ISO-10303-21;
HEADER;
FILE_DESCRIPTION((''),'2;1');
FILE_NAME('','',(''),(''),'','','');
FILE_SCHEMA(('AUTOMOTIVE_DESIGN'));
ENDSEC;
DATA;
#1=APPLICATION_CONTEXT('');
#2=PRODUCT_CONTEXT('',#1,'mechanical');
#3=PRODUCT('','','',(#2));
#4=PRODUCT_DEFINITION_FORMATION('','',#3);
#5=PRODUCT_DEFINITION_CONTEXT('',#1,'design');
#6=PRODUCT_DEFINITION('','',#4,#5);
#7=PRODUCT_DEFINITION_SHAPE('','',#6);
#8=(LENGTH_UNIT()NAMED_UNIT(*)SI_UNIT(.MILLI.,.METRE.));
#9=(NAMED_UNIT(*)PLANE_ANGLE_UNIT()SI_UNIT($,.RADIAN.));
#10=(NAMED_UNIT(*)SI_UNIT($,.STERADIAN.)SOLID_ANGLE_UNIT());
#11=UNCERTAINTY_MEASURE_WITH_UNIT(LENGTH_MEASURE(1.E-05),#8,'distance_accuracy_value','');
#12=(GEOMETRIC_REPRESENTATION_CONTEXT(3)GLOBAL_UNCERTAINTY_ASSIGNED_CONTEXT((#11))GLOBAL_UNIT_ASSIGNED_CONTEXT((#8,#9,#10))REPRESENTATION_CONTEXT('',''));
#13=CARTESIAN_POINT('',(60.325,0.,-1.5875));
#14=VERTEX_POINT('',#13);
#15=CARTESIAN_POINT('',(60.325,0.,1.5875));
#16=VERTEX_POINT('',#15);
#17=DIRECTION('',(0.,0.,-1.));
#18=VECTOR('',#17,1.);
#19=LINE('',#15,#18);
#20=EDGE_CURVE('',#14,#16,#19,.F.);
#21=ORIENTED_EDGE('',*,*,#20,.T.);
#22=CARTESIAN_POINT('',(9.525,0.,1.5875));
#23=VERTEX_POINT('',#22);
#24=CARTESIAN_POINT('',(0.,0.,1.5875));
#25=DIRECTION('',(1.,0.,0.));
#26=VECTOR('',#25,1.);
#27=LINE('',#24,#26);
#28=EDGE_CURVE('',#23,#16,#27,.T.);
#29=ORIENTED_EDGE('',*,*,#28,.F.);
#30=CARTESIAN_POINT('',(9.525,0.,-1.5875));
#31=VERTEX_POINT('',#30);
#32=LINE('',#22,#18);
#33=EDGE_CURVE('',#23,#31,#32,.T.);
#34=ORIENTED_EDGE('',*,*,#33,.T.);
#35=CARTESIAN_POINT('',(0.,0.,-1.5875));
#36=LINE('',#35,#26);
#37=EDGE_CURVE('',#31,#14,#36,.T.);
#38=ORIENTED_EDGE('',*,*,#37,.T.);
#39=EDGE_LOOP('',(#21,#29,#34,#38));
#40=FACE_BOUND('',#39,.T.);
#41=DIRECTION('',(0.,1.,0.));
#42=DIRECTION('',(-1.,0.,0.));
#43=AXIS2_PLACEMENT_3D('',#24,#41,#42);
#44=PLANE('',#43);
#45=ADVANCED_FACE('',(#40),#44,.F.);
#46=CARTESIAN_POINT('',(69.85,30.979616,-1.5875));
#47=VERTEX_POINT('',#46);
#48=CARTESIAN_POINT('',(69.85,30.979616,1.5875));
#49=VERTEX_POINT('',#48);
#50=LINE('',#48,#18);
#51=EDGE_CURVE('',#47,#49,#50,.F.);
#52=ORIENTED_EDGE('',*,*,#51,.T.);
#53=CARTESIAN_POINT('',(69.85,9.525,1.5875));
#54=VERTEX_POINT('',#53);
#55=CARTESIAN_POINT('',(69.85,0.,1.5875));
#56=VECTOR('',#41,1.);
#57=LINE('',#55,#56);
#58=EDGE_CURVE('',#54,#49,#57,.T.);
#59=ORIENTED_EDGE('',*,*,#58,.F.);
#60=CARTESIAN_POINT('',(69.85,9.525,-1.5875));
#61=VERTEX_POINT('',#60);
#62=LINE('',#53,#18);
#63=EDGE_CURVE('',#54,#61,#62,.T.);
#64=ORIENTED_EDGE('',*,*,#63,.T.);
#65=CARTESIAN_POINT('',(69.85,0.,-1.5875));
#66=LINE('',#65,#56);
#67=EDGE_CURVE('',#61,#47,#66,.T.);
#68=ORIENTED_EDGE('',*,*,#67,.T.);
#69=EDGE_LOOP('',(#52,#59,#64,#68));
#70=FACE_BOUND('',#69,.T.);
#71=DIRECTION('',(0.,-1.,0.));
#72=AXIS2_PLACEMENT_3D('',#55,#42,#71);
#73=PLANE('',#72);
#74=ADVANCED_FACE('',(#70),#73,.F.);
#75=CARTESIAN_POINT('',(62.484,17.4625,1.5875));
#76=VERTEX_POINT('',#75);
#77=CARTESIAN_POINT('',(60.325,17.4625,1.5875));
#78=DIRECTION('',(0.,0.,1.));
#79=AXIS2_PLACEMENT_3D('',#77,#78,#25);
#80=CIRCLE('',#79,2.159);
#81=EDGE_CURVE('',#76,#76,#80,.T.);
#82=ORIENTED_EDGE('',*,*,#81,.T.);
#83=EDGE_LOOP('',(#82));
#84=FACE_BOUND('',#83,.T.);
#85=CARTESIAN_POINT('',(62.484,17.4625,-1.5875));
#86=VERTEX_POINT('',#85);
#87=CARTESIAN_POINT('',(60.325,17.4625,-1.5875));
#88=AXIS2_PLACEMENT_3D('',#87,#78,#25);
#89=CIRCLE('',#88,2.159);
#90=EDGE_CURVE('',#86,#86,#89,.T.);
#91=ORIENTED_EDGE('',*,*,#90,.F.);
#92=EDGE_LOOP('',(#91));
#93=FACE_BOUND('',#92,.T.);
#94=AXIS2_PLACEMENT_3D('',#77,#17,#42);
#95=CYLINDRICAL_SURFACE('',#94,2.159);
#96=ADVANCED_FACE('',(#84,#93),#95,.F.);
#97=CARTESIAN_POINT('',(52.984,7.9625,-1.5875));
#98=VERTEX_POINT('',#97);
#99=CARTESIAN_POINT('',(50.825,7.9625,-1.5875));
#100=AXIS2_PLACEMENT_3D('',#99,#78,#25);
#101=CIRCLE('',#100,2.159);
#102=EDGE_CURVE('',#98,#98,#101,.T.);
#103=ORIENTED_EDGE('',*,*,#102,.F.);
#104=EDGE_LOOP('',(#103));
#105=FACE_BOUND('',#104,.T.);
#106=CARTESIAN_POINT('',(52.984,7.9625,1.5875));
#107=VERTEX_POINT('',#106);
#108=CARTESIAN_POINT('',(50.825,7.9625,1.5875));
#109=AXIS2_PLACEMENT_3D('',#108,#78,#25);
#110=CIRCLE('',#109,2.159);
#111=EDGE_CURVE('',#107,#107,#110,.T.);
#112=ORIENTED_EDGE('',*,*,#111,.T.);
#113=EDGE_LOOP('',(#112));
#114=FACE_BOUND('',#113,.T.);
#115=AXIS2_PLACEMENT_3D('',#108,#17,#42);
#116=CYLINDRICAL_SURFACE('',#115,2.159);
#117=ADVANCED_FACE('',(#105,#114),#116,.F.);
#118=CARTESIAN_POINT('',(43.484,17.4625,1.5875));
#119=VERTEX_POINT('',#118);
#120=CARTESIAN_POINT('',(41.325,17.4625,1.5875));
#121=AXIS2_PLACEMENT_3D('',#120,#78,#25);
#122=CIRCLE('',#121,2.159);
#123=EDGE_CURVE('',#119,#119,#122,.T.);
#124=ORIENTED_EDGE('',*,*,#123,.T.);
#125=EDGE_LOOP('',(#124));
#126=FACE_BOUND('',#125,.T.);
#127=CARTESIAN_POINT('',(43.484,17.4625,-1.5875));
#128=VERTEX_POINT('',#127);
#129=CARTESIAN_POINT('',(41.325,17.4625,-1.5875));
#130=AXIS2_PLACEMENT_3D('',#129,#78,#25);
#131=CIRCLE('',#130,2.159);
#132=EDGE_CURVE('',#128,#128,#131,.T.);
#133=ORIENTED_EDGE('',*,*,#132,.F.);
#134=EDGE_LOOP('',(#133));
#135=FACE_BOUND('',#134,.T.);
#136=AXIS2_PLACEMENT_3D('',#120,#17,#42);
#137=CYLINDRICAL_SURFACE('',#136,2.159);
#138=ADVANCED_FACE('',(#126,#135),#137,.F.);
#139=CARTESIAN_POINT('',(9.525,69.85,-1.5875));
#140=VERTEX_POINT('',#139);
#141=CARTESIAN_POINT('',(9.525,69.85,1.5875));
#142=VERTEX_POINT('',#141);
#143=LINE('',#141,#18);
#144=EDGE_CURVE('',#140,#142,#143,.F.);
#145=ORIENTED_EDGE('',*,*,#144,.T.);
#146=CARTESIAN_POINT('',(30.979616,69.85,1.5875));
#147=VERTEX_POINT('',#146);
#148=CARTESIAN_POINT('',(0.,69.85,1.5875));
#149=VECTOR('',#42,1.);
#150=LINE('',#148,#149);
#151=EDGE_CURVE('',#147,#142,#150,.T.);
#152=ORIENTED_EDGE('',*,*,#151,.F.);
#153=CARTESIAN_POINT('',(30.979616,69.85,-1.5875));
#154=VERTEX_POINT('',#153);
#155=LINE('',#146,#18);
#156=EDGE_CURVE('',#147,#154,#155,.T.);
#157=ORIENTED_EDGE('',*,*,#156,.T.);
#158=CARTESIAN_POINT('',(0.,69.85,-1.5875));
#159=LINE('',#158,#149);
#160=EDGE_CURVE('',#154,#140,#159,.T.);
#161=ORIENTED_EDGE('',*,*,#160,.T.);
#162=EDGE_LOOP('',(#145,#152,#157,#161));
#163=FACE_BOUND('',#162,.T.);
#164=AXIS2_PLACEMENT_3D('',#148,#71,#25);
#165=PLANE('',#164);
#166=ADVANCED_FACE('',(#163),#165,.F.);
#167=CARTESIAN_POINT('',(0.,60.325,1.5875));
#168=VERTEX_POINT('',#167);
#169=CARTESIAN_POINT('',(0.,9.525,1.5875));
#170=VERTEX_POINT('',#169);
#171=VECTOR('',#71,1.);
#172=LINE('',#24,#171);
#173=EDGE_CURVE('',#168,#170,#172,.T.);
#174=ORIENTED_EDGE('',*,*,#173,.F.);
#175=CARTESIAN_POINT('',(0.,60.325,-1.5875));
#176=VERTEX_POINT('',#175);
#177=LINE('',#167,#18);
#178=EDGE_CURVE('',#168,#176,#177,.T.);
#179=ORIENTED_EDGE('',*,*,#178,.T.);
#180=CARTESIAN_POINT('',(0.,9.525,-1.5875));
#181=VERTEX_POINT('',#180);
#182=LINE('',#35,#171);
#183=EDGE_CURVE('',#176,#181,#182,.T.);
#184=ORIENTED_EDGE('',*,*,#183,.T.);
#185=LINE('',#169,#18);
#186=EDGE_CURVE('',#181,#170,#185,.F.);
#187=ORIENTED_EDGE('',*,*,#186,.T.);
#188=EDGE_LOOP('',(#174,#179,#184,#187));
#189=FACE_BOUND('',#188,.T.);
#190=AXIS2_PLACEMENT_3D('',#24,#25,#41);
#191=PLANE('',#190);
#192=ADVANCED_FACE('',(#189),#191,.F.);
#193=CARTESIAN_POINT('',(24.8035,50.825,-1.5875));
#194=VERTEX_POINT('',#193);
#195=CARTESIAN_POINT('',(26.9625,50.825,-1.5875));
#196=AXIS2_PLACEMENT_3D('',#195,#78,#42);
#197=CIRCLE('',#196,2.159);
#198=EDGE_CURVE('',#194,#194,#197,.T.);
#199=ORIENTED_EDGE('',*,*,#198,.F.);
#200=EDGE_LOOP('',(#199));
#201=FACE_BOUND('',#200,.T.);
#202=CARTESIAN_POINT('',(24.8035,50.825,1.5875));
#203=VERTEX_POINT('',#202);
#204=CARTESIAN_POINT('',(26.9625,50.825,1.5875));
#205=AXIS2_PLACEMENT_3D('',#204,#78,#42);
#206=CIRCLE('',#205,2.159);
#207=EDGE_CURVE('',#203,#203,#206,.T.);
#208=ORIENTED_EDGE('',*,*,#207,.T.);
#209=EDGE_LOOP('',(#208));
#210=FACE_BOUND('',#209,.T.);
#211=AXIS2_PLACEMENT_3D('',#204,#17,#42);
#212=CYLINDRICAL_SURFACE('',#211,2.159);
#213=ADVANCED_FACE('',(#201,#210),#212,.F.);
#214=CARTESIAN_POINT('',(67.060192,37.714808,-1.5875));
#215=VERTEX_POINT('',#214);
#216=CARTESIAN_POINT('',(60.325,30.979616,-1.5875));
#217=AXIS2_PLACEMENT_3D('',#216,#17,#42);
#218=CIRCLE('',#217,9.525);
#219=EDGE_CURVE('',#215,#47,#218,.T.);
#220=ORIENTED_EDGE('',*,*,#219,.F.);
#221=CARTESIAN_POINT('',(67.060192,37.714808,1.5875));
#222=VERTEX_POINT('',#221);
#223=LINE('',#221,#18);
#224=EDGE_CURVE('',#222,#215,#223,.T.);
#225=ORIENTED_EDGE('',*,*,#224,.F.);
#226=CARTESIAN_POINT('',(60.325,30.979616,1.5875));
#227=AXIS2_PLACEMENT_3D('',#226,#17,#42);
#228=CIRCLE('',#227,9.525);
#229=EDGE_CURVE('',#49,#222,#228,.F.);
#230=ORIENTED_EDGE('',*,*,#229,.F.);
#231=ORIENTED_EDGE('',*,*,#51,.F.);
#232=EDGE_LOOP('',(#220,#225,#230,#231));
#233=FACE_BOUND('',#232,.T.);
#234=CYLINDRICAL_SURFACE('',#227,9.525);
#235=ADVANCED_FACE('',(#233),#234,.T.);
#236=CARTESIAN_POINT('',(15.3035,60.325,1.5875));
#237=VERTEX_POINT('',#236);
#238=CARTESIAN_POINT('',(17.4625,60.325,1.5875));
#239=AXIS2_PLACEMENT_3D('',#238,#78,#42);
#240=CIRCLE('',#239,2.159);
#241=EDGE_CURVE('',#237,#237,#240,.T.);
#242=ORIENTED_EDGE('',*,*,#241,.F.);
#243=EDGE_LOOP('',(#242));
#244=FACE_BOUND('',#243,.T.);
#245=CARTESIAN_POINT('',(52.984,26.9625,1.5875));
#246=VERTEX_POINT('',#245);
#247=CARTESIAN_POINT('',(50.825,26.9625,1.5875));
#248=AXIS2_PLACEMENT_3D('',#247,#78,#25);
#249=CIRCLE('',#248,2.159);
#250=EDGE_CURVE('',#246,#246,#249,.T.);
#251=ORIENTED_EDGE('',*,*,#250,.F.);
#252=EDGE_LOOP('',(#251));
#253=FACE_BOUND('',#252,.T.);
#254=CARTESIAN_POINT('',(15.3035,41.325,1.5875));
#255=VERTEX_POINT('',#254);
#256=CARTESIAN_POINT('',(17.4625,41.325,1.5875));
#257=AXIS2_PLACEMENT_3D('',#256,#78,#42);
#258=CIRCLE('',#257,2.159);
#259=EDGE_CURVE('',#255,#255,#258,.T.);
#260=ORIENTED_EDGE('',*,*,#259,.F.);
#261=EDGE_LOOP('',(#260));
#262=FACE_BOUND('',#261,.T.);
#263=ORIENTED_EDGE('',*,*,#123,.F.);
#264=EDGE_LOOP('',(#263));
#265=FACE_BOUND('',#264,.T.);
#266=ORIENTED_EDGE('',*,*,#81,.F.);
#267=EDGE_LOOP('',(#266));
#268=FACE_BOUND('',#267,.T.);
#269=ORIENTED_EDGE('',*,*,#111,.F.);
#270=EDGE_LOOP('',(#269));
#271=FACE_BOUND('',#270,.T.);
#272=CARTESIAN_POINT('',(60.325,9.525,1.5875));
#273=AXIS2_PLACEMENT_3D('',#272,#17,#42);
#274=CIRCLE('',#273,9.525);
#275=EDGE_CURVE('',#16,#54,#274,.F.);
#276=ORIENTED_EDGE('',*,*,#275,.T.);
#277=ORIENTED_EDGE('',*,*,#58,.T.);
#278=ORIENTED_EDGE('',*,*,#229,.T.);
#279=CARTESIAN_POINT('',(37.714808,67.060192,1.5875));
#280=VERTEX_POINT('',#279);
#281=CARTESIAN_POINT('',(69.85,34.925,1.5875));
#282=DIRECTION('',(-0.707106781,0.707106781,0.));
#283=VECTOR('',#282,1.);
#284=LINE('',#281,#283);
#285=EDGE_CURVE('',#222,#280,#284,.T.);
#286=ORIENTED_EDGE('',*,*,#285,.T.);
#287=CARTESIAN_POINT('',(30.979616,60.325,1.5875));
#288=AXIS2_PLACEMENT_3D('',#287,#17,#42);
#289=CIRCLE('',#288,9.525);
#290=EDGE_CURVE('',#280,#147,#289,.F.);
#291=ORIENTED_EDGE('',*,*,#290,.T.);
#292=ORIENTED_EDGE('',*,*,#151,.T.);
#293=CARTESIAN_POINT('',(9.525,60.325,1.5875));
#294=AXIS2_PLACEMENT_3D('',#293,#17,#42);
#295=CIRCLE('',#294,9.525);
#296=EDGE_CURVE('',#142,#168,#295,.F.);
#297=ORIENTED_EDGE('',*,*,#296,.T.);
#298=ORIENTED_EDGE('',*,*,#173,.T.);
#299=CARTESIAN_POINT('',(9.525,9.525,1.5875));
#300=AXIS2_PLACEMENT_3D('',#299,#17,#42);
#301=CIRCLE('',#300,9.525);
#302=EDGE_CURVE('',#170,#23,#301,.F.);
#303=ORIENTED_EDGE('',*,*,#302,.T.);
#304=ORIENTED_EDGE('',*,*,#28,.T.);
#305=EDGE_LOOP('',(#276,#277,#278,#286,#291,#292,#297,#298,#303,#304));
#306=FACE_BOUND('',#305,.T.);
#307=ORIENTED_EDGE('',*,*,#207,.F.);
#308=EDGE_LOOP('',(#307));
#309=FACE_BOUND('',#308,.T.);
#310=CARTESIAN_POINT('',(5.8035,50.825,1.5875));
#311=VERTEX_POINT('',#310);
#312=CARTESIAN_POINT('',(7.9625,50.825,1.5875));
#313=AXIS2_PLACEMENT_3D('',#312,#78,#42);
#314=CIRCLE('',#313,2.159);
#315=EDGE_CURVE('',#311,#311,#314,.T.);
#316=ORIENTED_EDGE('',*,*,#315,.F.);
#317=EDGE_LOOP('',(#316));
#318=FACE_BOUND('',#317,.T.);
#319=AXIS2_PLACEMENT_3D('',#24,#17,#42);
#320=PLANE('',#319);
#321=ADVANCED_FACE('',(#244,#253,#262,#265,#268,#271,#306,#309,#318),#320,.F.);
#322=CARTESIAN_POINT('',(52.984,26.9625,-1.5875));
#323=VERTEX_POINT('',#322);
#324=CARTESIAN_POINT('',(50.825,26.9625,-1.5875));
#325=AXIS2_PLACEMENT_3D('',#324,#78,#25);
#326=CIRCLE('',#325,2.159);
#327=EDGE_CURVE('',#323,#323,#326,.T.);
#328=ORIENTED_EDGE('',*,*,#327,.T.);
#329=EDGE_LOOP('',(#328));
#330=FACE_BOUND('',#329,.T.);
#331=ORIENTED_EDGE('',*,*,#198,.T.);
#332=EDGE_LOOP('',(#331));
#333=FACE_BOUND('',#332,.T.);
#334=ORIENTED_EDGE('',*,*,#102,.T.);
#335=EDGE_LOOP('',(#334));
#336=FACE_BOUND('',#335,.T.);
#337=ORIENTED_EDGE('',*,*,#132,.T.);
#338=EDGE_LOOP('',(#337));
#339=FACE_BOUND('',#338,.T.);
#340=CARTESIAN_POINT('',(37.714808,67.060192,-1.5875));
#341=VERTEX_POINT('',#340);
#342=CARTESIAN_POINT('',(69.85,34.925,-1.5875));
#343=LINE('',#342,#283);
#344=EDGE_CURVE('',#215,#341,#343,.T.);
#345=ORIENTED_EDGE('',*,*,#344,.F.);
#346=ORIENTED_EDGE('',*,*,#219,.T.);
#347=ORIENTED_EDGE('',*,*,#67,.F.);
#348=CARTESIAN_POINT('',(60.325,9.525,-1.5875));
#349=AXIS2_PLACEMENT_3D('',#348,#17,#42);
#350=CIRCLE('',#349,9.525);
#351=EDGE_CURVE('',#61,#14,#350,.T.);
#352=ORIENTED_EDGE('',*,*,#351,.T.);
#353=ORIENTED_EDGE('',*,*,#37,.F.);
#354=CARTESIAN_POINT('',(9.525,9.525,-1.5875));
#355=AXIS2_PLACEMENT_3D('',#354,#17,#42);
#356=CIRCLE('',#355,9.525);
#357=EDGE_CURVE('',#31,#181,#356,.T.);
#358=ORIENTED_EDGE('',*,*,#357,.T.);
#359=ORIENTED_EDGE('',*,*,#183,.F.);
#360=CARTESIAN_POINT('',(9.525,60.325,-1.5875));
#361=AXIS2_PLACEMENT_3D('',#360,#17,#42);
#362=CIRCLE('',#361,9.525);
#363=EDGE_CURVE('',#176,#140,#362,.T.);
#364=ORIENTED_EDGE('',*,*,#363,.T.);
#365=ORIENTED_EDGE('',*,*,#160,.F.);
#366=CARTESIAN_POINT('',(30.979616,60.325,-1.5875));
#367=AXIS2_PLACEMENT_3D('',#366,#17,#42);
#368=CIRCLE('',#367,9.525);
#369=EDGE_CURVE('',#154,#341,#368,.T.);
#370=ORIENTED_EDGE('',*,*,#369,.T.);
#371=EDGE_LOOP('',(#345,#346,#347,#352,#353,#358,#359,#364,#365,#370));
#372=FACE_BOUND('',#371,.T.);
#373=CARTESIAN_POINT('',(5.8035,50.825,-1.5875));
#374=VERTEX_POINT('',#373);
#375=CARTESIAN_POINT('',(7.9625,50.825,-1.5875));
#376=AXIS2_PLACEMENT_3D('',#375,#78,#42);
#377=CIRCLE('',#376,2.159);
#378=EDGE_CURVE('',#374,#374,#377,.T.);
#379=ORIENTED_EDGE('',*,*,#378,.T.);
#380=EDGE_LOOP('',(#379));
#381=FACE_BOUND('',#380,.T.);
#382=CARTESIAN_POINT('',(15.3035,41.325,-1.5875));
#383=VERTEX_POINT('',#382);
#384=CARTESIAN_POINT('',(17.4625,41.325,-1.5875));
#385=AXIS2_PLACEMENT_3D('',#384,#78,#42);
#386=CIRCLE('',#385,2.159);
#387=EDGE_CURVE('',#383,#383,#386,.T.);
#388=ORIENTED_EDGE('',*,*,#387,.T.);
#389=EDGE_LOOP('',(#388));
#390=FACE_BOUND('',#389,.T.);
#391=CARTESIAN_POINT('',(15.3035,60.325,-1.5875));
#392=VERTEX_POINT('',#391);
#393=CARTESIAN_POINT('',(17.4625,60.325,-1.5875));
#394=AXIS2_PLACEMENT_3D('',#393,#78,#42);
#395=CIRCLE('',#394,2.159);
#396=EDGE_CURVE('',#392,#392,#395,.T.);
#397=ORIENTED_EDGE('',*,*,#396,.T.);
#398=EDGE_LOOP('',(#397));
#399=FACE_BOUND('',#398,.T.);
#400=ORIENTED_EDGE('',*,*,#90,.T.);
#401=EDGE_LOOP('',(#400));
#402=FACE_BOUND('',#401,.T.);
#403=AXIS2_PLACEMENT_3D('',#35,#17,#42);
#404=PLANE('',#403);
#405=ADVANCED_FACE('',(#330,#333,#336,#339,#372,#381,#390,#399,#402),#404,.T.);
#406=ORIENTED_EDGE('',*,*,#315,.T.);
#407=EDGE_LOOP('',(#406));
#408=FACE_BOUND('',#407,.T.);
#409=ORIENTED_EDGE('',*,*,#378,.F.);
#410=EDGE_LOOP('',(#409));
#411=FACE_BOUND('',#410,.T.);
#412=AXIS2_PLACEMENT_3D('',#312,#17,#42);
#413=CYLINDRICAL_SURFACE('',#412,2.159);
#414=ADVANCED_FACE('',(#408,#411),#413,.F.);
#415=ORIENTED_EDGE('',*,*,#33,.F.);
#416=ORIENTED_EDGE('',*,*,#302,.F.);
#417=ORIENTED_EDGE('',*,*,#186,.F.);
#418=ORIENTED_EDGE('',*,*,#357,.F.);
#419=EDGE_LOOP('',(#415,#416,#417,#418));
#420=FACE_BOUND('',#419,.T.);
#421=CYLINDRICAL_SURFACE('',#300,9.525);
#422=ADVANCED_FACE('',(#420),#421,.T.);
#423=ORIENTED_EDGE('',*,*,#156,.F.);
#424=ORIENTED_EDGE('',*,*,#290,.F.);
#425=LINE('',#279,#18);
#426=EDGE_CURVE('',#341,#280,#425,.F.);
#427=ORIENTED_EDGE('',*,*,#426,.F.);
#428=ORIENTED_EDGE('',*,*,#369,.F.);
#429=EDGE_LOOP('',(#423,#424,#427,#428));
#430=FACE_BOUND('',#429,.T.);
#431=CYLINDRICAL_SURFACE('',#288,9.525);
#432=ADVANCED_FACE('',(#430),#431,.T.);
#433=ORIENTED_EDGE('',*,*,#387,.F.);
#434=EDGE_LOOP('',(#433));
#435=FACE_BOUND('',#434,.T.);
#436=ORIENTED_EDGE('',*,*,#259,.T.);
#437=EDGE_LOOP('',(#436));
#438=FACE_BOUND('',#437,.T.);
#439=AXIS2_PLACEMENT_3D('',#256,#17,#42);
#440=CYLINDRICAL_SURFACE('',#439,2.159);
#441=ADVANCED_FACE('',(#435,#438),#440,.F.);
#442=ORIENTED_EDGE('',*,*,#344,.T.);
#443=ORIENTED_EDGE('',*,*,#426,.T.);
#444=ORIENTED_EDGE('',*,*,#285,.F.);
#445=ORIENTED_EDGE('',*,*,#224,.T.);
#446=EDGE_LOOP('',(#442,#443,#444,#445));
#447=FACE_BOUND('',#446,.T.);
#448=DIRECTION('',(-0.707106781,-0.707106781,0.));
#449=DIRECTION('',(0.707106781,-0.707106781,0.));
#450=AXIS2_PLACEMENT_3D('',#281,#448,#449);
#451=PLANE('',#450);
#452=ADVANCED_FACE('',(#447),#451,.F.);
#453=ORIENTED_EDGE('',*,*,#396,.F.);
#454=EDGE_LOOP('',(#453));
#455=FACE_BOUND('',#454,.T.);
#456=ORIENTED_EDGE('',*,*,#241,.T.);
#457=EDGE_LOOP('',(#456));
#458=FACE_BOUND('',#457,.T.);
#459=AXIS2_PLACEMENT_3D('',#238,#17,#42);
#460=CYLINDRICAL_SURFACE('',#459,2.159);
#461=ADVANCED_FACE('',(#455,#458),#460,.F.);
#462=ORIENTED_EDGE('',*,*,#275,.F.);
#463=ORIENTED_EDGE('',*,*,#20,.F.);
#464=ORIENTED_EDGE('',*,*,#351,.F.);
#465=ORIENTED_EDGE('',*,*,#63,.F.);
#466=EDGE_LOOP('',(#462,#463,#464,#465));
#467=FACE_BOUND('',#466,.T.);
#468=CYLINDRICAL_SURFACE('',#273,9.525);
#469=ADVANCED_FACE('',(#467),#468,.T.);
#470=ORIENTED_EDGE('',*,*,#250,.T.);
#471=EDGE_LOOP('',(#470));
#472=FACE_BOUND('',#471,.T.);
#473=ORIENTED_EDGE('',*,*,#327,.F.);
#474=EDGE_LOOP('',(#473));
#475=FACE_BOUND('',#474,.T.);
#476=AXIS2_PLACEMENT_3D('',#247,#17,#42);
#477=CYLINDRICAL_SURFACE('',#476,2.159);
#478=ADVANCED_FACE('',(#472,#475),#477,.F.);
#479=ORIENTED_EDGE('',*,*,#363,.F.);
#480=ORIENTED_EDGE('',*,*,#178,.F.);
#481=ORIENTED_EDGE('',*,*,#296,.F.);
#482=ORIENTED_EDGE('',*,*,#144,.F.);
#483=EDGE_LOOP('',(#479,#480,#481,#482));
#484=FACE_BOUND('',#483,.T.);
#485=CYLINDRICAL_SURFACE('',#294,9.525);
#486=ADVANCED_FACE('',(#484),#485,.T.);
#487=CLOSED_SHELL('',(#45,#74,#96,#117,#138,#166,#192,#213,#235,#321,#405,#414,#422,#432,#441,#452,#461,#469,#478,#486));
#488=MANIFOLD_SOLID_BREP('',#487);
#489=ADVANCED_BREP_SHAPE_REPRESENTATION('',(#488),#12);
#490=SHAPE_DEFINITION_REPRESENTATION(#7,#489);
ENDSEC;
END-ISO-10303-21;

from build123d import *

# Parameters (mm, degrees)
SKETCH1_R           = 2.159
BOSS_EXTRUDE1_DEPTH = 1.5875
FILLET1_R           = 9.525


with BuildPart() as part:
    # Sketch1 → Boss-Extrude1 (new, symmetric)
    with BuildSketch(Plane.XY):
        Polygon((0, 0), (69.85, 0), (69.85, 34.925), (34.925, 69.85), (0, 69.85), align=None)
        with Locations((50.825, 26.9625)):
            Circle(SKETCH1_R, mode=Mode.SUBTRACT)
        with Locations(Location((26.9625, 50.825, 0), (0, 0, 180))):
            Circle(SKETCH1_R, mode=Mode.SUBTRACT)
        with Locations((50.825, 7.9625)):
            Circle(SKETCH1_R, mode=Mode.SUBTRACT)
        with Locations(Location((7.9625, 50.825, 0), (0, 0, 180))):
            Circle(SKETCH1_R, mode=Mode.SUBTRACT)
        with Locations((41.325, 17.4625)):
            Circle(SKETCH1_R, mode=Mode.SUBTRACT)
        with Locations(Location((17.4625, 41.325, 0), (0, 0, 180))):
            Circle(SKETCH1_R, mode=Mode.SUBTRACT)
        with Locations((60.325, 17.4625)):
            Circle(SKETCH1_R, mode=Mode.SUBTRACT)
        with Locations(Location((17.4625, 60.325, 0), (0, 0, 180))):
            Circle(SKETCH1_R, mode=Mode.SUBTRACT)
    extrude(amount=BOSS_EXTRUDE1_DEPTH, both=True)

    # Fillet1
    fillet1_edges = [part.edges().sort_by_distance(p)[0] for p in [
        (0, 69.85, 0),
        (34.925, 69.85, 0),
        (69.85, 34.925, 0),
        (69.85, 0, 0),
        (0, 0, 0),
    ]]
    fillet(fillet1_edges, radius=FILLET1_R)


solid = part.part
